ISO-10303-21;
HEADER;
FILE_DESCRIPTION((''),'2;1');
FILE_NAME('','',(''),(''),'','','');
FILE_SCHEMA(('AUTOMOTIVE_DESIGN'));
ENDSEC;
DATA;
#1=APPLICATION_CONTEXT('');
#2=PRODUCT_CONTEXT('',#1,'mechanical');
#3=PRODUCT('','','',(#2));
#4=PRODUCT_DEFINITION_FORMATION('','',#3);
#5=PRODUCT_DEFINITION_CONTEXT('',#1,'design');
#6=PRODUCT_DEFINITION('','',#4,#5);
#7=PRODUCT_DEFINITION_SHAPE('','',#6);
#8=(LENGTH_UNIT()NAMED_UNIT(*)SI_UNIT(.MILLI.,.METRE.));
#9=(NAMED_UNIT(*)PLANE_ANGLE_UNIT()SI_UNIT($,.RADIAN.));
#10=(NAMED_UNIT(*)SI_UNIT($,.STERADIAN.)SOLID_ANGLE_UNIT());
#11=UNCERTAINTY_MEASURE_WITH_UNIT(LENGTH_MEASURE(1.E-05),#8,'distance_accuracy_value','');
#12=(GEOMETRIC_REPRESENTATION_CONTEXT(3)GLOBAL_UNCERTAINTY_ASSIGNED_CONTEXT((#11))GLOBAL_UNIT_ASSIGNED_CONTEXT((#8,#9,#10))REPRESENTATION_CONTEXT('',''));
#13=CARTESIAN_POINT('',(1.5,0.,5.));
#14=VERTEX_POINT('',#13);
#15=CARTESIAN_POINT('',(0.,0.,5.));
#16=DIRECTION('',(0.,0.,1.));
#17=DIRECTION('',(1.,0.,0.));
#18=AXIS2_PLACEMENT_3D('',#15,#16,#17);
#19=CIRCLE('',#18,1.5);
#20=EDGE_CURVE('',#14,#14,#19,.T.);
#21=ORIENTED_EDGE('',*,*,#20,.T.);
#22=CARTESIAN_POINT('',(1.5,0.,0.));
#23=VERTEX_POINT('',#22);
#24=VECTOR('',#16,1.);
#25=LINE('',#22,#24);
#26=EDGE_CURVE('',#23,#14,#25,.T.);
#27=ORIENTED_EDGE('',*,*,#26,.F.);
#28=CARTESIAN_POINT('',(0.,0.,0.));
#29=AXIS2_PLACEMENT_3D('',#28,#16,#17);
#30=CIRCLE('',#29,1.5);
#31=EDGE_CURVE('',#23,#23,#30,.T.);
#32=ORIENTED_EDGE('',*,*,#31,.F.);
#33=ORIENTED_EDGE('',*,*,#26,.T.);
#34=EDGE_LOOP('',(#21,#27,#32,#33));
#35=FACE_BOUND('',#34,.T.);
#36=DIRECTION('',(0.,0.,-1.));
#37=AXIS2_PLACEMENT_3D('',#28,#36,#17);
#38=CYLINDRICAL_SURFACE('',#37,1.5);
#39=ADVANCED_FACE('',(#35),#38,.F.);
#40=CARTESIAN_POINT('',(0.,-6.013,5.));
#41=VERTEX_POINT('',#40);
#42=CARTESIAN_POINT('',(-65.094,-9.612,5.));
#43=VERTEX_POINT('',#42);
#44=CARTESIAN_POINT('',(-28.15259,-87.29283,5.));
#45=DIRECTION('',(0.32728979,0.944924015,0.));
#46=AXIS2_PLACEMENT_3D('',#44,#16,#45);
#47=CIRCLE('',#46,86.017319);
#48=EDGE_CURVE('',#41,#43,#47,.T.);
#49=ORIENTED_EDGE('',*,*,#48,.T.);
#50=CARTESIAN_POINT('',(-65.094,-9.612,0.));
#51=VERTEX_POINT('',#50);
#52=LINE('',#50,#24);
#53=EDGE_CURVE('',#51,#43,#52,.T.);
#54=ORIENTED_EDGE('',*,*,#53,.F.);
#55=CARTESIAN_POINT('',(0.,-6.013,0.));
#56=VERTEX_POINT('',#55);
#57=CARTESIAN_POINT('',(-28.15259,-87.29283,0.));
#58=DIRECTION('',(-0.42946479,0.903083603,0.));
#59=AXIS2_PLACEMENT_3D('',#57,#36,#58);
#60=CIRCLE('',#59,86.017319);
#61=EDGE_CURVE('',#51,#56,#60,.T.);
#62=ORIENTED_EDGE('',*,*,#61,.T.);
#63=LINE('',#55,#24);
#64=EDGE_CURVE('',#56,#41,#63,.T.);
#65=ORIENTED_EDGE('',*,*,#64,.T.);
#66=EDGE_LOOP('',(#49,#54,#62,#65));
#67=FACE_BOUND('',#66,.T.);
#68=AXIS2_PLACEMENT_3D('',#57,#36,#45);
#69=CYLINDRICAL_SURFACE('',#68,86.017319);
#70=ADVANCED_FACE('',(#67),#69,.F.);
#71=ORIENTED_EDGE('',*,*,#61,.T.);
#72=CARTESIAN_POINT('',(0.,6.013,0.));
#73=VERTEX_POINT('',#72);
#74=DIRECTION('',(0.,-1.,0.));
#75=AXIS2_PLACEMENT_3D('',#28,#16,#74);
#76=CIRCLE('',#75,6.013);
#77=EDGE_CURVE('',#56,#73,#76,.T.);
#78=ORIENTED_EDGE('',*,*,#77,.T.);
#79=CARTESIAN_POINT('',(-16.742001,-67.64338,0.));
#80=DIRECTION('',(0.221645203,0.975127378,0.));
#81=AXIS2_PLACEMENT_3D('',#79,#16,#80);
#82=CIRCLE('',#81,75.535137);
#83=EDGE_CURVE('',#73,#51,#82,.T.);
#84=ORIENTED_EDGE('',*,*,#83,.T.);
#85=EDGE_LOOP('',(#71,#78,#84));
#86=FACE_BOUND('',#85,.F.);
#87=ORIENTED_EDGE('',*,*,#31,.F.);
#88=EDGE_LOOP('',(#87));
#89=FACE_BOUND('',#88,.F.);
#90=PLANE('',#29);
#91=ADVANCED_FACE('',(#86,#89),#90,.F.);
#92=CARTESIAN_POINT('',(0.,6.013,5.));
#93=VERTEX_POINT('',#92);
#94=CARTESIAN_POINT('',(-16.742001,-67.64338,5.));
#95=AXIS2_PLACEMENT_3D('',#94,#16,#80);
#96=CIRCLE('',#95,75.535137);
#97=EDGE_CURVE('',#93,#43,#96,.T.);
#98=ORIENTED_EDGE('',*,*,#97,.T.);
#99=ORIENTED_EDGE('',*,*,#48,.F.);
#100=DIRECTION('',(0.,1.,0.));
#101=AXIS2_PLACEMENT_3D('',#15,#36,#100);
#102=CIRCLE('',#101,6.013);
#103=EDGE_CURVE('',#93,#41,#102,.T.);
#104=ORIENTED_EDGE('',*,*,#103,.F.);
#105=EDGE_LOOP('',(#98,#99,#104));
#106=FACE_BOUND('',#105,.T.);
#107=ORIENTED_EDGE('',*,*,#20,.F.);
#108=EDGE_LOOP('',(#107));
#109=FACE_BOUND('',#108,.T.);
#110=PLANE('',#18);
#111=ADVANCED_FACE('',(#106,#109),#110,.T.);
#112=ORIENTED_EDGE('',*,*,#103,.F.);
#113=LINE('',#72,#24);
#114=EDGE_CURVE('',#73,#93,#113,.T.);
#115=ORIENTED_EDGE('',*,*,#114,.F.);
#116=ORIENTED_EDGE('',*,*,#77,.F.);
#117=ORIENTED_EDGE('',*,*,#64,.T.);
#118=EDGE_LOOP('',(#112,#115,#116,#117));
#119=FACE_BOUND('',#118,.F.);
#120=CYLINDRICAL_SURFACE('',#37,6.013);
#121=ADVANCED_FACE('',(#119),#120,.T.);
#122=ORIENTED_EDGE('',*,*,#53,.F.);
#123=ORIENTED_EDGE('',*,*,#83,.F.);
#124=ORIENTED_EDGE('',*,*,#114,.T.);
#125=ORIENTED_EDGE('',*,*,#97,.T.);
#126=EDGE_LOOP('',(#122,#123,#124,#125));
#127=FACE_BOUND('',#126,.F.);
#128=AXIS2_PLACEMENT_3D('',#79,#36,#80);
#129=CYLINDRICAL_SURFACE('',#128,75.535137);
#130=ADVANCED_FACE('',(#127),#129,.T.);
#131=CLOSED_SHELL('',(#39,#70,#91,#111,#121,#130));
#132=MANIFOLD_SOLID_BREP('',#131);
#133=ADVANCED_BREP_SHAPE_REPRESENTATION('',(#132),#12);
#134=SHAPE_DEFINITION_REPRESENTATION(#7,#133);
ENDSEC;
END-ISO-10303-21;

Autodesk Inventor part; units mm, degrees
ref_plane "YZ Plane" through (0, 0, 0) normal (1, 0, 0) x (0, 1, 0)
ref_plane "XZ Plane" through (0, 0, 0) normal (0, 1, 0) x (-1, 0, 0)
ref_plane "XY Plane" through (0, 0, 0) normal (0, 0, 1) x (1, 0, 0)
sketch "Эскиз1" plane through (0, 0, 0) normal (0, 0, 1) x (1, 0, 0)
  circle A0 centre (0, 0) radius 1.5
  circle A1 centre (0, 0) radius 6.013
  arc A2 (0, 6.013) -> (-65.094, -9.612) centre (-16.742, -67.6435) ccw
  arc A3 (0, -6.013) -> (-65.094, -9.612) centre (-28.1526, -87.2929) ccw
  dimension "d0" = 3
extrude "Выдавливание1" add sketch "Эскиз1" along normal blind 5 contours A1 A3 | A1 A3 A2 picked at (-3.7216, -2.4926)
sketch "Эскиз2" plane through (0, 0, 5) normal (0, 0, 1) x (1, 0, 0)
  circle A0 centre (0, 0) radius 1.5 projected
  circle A1 centre (0, 0) radius 1.5 projected
  line L0 (0, 0) -> (-18.0245, 38.8961)
properties part number "бровь"
